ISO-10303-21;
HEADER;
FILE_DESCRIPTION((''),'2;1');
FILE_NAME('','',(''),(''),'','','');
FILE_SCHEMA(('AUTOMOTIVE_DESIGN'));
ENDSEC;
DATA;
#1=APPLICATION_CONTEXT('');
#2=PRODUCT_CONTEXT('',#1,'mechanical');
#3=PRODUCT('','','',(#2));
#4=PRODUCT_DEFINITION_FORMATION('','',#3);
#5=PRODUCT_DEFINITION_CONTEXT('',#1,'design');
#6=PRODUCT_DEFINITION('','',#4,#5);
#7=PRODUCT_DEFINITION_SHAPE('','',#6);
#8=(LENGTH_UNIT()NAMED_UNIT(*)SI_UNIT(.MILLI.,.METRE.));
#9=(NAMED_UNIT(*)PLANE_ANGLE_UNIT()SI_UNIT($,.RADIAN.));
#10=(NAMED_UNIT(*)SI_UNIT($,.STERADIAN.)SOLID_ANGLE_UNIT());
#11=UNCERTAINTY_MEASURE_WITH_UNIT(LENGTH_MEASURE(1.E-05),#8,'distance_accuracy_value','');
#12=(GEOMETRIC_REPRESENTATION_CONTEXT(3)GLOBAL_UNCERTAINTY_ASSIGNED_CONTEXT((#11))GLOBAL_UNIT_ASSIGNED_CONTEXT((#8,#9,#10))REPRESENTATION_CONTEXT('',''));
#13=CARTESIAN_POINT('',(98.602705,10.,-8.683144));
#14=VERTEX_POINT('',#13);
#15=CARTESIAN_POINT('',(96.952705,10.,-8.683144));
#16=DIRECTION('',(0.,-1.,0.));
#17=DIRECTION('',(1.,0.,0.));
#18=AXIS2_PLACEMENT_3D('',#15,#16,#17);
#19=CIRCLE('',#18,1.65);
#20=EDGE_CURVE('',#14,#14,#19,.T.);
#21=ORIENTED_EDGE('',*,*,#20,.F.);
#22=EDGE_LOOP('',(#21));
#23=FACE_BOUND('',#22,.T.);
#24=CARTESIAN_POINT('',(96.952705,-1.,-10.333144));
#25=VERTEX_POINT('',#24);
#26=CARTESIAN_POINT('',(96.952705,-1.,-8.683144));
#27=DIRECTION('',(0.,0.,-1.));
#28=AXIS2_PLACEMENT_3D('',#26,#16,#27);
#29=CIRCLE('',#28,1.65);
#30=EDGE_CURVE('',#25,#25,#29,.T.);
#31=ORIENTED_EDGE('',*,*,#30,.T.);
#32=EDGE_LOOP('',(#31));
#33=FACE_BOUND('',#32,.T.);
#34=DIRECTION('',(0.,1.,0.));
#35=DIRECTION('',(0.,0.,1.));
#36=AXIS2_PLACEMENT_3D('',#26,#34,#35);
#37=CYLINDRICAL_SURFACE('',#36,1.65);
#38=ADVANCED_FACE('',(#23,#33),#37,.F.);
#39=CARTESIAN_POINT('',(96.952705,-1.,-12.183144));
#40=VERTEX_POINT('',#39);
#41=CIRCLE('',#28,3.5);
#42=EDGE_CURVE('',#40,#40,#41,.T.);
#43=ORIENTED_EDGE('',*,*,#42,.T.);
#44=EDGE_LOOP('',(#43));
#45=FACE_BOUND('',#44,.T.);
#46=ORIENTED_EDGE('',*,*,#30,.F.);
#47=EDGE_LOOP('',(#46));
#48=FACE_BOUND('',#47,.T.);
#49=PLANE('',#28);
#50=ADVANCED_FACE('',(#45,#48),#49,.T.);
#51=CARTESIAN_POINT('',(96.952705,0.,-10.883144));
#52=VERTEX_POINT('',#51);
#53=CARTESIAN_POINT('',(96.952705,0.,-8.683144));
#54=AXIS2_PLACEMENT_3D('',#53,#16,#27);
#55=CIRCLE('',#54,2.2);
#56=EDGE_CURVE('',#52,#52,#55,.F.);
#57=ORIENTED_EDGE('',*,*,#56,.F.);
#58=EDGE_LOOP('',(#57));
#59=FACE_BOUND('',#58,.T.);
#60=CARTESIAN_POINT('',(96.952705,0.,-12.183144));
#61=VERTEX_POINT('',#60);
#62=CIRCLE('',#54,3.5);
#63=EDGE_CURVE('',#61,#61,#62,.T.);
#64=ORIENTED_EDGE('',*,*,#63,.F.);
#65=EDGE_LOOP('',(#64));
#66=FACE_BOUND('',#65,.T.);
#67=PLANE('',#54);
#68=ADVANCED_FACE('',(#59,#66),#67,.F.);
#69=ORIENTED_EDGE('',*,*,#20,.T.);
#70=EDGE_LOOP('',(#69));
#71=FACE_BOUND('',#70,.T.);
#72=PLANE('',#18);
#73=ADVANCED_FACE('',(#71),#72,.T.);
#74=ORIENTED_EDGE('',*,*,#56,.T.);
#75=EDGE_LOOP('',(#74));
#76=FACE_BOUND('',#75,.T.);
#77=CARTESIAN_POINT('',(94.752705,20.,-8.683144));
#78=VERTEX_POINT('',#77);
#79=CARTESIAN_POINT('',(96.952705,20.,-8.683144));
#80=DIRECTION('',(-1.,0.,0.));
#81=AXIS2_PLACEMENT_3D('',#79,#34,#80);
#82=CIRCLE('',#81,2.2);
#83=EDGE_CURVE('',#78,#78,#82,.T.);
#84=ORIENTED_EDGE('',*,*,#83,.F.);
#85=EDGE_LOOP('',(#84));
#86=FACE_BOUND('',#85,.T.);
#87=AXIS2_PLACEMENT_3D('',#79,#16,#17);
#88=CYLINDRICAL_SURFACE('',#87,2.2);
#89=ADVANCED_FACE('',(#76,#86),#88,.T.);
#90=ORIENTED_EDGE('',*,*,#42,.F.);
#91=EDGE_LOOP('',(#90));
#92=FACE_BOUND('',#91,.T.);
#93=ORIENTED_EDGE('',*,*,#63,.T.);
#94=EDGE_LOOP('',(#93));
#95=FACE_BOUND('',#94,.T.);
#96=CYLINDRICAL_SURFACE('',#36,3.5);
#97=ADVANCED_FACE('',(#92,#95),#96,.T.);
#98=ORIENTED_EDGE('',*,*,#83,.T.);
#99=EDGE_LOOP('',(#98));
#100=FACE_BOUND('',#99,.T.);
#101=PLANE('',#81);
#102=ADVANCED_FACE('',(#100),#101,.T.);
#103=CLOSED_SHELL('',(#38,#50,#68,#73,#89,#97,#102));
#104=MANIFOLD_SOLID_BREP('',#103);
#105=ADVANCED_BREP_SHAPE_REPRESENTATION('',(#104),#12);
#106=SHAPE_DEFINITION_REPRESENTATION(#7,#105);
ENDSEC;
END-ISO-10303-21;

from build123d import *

# Parameters (mm, degrees)
SKETCH_2_R          = 3.5
SKETCH_2_R_2        = 1.65
EXTRUDE_1_DEPTH     = 1
SKETCH_3_R          = 2.2
EXTRUDE_2_DEPTH     = 20
SKETCH_6_R          = 1.65
CUT_EXTRUDE_1_DEPTH = 10


with BuildPart() as part:
    # 草图2 → 凸台-拉伸1 (new body)
    with BuildSketch(Plane.XZ):
        with Locations((96.952704723, -8.683144071)):
            Circle(SKETCH_2_R)
        with Locations((96.952704723, -8.683144071)):
            Circle(SKETCH_2_R_2, mode=Mode.SUBTRACT)
    extrude(amount=EXTRUDE_1_DEPTH)

    # 草图3 → 凸台-拉伸2 (add)
    with BuildSketch(Plane(origin=(0, 0, 0), x_dir=(1, 0, 0), z_dir=(0, 1, 0))):
        with Locations((96.952704723, 8.683144071)):
            Circle(SKETCH_3_R)
    extrude(amount=EXTRUDE_2_DEPTH)

    # 草图6 → 切除-拉伸1 (cut)
    with BuildSketch(Plane.XZ):
        with Locations((96.952704723, -8.683144071)):
            Circle(SKETCH_6_R)
    extrude(amount=-CUT_EXTRUDE_1_DEPTH, mode=Mode.SUBTRACT)


solid = part.part
